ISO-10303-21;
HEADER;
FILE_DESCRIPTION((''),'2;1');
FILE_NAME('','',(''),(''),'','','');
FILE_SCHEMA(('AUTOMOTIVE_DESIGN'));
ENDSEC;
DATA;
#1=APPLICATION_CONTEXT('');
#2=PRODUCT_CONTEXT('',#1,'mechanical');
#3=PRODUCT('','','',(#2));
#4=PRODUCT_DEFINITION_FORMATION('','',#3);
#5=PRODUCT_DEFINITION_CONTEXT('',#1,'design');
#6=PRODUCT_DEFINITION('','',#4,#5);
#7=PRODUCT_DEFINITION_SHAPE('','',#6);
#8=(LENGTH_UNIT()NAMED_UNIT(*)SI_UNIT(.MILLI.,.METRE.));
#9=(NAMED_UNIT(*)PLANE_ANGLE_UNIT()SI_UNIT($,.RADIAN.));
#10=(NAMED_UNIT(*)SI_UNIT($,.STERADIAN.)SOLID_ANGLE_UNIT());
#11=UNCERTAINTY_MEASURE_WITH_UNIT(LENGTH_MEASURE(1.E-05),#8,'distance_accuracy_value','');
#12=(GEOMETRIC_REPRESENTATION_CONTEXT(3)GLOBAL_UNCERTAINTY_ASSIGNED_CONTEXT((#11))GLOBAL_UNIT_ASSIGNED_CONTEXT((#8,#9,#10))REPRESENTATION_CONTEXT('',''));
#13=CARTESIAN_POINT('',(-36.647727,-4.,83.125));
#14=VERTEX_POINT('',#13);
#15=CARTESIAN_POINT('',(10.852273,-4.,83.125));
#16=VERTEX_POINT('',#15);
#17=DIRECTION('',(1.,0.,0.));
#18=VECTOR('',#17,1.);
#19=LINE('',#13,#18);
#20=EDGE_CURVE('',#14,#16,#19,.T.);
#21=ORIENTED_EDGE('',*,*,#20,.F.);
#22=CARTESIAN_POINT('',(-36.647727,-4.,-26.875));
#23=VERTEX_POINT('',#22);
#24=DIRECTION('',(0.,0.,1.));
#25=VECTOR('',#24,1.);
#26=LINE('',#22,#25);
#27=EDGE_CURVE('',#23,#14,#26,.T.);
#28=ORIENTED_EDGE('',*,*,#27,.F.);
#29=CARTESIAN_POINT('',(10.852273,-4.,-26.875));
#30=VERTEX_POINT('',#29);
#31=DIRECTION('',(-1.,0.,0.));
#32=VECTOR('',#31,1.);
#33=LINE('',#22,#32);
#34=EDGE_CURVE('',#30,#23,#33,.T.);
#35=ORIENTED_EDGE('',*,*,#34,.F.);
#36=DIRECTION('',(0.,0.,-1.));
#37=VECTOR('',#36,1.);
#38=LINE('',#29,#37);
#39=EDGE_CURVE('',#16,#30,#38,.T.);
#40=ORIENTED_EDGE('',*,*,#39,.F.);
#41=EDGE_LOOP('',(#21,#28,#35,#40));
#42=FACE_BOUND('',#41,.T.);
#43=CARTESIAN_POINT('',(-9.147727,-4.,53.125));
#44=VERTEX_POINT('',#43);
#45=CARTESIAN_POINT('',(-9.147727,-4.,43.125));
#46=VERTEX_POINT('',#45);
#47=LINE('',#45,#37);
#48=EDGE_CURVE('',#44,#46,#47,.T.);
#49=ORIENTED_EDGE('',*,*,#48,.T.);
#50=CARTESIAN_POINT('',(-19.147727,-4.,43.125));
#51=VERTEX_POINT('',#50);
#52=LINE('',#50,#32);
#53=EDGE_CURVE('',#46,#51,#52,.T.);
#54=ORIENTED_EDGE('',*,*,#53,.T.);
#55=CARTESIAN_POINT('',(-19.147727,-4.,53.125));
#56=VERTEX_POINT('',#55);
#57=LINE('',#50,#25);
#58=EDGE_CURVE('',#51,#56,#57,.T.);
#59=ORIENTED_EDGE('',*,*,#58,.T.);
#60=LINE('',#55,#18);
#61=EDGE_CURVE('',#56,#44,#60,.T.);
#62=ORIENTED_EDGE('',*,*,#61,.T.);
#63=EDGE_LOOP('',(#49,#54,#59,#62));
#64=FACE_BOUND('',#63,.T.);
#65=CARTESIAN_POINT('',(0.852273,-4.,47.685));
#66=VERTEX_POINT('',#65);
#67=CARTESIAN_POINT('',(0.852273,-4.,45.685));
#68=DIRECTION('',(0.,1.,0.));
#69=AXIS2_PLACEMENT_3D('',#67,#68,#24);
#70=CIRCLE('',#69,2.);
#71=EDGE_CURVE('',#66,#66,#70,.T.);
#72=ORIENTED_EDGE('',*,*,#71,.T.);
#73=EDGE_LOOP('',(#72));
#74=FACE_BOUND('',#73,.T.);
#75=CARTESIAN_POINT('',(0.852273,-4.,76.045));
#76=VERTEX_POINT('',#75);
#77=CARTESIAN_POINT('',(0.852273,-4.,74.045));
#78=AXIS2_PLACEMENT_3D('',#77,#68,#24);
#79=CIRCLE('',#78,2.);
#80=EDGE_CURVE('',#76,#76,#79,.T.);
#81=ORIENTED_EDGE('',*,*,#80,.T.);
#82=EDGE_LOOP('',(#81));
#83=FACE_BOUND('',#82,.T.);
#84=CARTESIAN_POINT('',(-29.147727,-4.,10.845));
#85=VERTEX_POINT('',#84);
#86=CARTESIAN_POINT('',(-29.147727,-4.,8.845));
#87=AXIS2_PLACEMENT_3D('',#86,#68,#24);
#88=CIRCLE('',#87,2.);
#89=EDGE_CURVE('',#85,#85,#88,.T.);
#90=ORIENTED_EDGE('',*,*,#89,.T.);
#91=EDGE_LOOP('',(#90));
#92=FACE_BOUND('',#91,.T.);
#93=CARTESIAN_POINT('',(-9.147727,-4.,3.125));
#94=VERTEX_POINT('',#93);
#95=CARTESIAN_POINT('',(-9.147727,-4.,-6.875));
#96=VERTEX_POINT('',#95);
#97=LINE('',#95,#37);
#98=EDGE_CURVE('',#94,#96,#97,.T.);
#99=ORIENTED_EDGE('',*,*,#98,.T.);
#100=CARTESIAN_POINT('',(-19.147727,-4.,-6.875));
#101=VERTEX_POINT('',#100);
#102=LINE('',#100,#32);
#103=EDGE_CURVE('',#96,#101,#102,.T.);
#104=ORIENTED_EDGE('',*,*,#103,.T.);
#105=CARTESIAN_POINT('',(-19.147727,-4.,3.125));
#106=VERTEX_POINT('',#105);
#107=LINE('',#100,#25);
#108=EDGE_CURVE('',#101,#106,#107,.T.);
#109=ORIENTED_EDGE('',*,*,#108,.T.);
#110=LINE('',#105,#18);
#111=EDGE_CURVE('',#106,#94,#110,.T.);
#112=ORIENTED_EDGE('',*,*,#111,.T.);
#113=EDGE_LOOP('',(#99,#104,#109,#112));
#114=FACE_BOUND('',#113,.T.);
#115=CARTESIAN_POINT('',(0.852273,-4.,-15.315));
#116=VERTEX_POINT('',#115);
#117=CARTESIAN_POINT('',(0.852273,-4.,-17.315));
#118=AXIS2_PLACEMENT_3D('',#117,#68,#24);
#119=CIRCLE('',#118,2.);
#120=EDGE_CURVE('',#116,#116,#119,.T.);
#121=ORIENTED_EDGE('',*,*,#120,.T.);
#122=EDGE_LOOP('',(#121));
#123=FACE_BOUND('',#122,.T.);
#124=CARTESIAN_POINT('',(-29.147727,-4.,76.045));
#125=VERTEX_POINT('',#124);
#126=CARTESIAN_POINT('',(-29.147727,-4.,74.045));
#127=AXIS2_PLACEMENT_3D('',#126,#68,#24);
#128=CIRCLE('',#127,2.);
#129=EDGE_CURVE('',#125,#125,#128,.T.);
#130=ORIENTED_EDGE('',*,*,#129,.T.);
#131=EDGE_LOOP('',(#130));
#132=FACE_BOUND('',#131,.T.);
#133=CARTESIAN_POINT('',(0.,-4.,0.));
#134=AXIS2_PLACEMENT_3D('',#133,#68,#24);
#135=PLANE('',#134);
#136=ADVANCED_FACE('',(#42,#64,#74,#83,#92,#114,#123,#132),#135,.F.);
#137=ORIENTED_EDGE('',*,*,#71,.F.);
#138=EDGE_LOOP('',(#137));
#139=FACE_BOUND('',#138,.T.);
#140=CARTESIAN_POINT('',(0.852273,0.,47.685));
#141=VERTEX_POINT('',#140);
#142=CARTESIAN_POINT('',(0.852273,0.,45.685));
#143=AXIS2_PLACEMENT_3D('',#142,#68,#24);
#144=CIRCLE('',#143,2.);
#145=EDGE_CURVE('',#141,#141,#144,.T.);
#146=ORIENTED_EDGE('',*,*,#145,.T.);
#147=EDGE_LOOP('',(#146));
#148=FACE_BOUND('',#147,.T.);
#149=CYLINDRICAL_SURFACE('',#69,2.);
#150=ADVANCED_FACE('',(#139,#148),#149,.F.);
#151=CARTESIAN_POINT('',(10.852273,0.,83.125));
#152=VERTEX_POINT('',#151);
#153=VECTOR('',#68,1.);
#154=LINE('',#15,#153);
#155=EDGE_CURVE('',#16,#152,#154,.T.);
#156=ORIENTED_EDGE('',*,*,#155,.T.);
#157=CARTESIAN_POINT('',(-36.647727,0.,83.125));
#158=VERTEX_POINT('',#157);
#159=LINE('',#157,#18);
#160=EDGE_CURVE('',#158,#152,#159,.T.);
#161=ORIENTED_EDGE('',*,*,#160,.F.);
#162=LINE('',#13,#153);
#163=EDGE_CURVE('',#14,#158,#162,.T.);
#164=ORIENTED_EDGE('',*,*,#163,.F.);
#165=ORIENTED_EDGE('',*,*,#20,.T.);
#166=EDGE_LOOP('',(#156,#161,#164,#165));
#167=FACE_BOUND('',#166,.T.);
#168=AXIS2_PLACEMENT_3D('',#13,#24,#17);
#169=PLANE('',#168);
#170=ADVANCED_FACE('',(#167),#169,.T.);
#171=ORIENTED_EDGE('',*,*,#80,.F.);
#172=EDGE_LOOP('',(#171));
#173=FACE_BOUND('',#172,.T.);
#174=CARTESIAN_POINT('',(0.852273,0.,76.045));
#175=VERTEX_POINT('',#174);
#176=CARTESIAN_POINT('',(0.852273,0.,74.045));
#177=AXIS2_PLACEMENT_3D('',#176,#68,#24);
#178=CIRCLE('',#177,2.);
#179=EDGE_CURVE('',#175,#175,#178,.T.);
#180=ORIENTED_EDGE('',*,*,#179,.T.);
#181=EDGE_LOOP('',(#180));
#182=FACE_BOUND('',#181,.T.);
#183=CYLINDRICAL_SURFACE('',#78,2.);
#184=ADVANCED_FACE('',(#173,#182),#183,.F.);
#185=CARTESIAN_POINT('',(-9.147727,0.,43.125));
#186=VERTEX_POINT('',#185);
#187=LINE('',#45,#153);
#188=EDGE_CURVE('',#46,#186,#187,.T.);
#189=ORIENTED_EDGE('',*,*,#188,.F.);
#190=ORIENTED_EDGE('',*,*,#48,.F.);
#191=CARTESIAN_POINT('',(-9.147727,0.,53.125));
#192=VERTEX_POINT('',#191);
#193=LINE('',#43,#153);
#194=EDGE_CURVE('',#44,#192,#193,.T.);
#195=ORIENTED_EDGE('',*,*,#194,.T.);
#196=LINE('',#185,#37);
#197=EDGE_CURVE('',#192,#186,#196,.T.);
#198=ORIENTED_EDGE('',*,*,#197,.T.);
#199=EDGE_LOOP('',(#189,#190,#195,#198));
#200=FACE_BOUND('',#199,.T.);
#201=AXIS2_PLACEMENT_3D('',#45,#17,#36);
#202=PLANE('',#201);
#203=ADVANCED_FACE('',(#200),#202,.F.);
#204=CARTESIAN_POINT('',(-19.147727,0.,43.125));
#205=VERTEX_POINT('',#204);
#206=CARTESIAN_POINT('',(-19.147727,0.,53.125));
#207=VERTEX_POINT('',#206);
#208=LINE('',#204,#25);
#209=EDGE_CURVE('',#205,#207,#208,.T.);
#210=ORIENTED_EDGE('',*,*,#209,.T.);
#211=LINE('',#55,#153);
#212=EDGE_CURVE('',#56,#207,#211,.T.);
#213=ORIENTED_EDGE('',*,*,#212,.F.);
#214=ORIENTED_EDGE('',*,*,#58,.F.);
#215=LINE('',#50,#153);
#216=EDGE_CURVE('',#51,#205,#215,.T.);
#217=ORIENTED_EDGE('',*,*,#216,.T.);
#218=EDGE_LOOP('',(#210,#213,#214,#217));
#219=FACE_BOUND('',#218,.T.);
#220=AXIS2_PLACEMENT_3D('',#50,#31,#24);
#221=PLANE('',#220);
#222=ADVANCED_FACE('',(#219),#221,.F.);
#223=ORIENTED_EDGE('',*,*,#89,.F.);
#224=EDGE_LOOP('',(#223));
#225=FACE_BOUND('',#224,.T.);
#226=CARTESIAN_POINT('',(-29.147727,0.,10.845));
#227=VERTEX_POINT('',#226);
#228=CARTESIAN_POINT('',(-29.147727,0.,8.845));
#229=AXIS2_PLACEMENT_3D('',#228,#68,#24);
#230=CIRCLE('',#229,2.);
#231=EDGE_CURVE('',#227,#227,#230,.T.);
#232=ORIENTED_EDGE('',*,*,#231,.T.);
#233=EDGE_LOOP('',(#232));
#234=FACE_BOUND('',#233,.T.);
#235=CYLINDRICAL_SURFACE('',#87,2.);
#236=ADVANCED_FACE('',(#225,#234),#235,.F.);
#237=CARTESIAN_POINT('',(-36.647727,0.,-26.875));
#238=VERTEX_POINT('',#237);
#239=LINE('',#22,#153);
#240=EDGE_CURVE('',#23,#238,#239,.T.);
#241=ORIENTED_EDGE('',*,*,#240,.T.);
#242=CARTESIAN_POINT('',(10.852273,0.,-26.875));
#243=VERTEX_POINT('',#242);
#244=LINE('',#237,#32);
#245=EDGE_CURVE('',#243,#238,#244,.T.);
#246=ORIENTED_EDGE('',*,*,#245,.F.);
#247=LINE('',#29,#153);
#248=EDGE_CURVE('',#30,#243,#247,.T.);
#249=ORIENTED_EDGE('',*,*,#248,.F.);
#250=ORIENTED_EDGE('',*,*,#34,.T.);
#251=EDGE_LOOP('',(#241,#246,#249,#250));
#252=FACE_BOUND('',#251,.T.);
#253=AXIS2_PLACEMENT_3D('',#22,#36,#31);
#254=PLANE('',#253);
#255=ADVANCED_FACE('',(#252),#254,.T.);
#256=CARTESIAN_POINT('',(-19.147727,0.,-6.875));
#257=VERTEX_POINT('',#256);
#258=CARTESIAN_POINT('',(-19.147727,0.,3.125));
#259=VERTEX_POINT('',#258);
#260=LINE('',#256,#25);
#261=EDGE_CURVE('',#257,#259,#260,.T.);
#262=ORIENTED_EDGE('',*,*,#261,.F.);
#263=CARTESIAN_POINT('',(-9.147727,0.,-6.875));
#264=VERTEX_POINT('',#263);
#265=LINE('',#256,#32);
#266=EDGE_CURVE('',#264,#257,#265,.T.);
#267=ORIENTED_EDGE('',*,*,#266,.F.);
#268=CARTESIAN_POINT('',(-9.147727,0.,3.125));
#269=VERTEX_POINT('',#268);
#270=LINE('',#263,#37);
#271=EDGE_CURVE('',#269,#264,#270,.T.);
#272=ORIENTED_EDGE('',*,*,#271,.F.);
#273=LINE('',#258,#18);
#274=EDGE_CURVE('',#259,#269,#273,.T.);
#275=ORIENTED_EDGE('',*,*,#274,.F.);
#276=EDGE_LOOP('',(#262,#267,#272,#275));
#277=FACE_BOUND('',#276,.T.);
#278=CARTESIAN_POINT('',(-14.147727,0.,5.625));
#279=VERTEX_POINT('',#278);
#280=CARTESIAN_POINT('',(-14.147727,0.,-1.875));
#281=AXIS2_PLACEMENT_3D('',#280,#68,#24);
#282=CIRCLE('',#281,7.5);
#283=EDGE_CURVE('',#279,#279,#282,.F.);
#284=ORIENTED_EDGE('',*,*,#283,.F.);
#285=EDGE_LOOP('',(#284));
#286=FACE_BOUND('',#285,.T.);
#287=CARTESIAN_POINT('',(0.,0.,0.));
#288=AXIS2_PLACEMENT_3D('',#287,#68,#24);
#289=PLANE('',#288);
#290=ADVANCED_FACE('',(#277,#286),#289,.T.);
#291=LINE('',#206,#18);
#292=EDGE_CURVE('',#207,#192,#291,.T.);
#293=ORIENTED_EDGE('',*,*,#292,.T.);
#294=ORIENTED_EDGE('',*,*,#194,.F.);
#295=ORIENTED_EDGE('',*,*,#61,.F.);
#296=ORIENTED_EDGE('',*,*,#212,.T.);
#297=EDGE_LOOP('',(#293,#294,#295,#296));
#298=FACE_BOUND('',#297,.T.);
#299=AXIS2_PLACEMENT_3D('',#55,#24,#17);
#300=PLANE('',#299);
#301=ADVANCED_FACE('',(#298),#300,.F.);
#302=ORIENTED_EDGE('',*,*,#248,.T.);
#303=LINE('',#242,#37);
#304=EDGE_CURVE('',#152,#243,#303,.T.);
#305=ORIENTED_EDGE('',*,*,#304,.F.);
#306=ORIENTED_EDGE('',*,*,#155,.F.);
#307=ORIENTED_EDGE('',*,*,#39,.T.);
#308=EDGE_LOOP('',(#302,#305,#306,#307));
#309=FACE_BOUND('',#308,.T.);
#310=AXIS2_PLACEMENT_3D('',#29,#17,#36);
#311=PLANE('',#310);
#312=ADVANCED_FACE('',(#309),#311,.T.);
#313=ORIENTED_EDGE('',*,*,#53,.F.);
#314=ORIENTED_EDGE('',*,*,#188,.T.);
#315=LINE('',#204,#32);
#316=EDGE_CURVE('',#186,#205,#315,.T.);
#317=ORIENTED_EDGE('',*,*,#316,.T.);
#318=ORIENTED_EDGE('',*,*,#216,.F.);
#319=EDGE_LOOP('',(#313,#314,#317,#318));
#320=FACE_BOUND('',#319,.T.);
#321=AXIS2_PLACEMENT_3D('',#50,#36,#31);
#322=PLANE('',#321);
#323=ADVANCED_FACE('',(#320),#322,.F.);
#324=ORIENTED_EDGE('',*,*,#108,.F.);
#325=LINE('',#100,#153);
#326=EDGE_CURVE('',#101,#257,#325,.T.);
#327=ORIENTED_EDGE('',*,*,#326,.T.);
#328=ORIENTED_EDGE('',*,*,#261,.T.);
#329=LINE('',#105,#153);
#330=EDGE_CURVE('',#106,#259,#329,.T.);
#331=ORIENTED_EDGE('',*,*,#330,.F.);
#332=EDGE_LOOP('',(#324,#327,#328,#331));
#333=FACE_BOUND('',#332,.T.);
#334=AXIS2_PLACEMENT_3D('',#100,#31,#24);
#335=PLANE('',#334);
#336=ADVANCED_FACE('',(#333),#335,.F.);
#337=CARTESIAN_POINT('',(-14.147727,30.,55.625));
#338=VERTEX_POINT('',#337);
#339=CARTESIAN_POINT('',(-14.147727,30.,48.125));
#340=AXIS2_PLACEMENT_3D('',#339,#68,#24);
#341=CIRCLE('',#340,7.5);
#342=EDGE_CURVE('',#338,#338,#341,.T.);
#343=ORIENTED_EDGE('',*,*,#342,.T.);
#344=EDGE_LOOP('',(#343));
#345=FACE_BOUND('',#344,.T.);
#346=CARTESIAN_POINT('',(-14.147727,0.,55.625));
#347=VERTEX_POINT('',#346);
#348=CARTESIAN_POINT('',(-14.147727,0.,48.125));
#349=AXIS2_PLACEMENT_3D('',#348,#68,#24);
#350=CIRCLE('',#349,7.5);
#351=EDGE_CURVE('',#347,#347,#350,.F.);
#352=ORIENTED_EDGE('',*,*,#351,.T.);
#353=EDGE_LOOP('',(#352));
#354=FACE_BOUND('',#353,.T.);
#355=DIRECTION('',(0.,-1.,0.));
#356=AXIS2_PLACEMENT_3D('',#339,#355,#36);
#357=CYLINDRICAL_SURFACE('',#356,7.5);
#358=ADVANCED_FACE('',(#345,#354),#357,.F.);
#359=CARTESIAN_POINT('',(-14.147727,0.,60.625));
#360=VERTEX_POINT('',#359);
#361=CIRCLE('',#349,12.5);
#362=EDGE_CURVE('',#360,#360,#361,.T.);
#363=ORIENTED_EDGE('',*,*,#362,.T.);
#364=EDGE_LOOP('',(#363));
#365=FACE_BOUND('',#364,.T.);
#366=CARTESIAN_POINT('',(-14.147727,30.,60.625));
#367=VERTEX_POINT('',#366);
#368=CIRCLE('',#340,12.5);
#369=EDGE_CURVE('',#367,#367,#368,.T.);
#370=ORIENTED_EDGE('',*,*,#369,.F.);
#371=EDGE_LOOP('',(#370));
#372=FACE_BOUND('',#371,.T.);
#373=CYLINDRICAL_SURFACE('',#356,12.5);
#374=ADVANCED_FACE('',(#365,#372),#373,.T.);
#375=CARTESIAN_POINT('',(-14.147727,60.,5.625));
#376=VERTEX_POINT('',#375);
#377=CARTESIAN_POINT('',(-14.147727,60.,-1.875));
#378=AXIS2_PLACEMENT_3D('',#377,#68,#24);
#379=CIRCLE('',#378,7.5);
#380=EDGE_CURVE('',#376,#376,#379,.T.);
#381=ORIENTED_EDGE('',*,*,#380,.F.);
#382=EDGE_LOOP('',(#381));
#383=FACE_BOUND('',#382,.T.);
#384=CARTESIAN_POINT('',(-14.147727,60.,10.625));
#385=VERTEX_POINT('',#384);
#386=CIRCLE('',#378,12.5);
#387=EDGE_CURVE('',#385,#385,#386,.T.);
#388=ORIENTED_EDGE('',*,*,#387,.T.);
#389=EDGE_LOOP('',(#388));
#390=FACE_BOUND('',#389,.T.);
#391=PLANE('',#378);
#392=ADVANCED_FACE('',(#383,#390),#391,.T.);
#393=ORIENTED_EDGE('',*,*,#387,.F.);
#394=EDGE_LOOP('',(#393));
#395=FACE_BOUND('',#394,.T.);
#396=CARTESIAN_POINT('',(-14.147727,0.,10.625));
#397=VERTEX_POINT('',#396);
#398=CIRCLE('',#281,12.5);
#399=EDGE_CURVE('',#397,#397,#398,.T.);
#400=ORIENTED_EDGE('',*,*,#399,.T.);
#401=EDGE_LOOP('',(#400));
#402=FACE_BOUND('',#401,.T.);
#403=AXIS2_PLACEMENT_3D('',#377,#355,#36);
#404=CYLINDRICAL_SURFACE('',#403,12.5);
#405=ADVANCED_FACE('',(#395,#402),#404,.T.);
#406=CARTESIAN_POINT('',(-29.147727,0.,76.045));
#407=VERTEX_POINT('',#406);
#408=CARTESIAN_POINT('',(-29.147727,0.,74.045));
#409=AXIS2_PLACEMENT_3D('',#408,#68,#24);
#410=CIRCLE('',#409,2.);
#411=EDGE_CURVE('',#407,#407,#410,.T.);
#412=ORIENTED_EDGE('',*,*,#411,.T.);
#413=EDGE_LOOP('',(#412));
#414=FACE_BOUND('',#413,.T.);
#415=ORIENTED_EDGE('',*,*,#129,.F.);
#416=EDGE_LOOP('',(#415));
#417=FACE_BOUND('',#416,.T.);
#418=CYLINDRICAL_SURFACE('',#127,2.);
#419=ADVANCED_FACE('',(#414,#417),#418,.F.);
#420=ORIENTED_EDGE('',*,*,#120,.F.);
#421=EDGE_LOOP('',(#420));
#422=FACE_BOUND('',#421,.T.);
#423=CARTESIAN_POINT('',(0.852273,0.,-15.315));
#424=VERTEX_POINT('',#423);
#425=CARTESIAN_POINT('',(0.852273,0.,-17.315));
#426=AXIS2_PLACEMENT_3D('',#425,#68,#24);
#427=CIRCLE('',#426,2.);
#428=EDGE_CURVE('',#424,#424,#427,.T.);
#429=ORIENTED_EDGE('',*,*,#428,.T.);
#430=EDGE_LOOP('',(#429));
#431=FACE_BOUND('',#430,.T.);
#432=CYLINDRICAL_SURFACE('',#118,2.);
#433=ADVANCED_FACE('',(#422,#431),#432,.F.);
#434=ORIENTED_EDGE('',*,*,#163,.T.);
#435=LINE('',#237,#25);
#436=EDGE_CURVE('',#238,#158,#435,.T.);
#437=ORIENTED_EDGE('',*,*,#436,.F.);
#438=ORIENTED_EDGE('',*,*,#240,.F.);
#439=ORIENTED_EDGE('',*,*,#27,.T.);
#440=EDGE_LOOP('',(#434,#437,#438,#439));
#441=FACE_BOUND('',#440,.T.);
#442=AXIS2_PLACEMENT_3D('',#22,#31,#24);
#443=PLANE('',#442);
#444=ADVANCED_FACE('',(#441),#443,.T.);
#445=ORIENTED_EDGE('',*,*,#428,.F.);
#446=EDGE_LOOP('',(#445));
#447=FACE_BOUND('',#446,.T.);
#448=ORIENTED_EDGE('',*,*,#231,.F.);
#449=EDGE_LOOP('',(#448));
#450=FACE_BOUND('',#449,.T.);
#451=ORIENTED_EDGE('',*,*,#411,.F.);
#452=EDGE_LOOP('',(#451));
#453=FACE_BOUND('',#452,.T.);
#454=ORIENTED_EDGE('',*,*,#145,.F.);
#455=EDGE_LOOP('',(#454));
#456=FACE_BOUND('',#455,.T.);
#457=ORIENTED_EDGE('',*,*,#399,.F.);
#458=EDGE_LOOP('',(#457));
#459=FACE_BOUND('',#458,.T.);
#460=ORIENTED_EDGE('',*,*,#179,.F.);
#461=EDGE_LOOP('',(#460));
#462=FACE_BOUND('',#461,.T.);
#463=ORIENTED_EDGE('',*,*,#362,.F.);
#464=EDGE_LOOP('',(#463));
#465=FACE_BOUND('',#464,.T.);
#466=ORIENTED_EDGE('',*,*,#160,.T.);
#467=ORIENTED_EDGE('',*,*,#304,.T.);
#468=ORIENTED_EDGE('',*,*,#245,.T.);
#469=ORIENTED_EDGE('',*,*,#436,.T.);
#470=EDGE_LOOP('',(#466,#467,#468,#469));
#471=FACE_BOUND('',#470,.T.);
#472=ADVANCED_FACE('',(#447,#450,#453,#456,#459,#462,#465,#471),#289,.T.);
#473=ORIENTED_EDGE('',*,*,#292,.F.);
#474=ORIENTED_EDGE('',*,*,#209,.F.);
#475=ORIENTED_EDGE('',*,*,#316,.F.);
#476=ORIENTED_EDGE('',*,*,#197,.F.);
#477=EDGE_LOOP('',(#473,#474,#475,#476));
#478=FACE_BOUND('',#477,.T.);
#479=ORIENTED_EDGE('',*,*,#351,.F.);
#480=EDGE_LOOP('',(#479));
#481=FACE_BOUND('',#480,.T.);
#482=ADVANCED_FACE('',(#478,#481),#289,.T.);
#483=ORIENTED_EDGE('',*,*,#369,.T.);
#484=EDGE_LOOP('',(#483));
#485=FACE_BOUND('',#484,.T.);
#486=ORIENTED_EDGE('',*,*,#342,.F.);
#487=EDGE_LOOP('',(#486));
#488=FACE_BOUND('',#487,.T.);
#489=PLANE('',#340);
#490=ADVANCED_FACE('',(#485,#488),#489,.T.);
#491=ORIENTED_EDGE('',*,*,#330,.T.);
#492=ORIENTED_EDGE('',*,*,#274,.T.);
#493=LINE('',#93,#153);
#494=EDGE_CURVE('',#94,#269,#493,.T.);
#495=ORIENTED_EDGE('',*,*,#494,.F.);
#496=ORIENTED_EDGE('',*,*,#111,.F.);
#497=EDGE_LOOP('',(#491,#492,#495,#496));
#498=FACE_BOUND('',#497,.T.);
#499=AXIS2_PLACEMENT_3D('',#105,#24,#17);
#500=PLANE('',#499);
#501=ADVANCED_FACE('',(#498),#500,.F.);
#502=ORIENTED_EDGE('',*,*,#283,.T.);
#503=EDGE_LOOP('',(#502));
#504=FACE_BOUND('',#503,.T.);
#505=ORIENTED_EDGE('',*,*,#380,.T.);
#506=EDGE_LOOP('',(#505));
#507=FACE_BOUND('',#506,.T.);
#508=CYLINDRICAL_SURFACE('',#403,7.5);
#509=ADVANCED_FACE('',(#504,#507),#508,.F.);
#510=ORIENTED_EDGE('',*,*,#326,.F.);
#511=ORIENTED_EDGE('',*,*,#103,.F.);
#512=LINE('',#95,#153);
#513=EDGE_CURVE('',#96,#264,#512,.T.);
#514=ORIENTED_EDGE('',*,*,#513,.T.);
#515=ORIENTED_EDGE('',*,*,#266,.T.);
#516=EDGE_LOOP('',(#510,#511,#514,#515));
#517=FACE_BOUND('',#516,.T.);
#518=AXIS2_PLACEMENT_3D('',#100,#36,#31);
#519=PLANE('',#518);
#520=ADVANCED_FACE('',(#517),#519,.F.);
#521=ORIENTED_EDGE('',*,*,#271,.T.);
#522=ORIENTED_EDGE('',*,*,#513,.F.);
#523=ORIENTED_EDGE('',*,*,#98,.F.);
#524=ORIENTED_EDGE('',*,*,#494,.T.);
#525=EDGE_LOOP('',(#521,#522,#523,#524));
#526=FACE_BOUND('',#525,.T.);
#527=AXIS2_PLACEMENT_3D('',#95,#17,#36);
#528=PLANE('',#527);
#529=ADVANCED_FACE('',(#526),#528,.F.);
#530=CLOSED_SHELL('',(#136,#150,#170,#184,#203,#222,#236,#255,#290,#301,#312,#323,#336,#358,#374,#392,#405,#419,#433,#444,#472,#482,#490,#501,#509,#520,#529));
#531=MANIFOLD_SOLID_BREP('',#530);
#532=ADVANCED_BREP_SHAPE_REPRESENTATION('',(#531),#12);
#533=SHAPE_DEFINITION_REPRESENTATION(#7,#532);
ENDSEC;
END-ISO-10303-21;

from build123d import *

# Parameters (mm, degrees)
SKETCH1_W           = 47.5
SKETCH1_H           = 110
SKETCH1_R           = 2
SKETCH1_W_2         = 10
SKETCH1_H_2         = 10
BOSS_EXTRUDE1_DEPTH = 4
SKETCH2_R           = 12.5
SKETCH2_R_2         = 7.5
BOSS_EXTRUDE2_DEPTH = 30
SKETCH4_R           = 12.5
SKETCH4_R_2         = 7.5
BOSS_EXTRUDE3_DEPTH = 60


with BuildPart() as part:
    # Sketch1 → Boss-Extrude1 (new body)
    with BuildSketch(Plane(origin=(0, 0, 0), x_dir=(1, 0, 0), z_dir=(0, 1, 0))):
        with Locations((-12.897727273, -28.125)):
            Rectangle(SKETCH1_W, SKETCH1_H)
        with Locations(Location((0.852272727, 17.315, 0), (0, 0, 270))):
            Circle(SKETCH1_R, mode=Mode.SUBTRACT)
        with Locations(Location((-29.147727273, -8.845, 0), (0, 0, 270))):
            Circle(SKETCH1_R, mode=Mode.SUBTRACT)
        with Locations(Location((0.852272727, -45.685, 0), (0, 0, 270))):
            Circle(SKETCH1_R, mode=Mode.SUBTRACT)
        with Locations(Location((0.852272727, -74.045, 0), (0, 0, 270))):
            Circle(SKETCH1_R, mode=Mode.SUBTRACT)
        with Locations(Location((-29.147727273, -74.045, 0), (0, 0, 270))):
            Circle(SKETCH1_R, mode=Mode.SUBTRACT)
        with Locations((-14.147727273, 1.875)):
            Rectangle(SKETCH1_W_2, SKETCH1_H_2, mode=Mode.SUBTRACT)
        with Locations((-14.147727273, -48.125)):
            Rectangle(SKETCH1_W_2, SKETCH1_H_2, mode=Mode.SUBTRACT)
    extrude(amount=-BOSS_EXTRUDE1_DEPTH)

    # Sketch2 → Boss-Extrude2 (add)
    with BuildSketch(Plane(origin=(0, 0, 0), x_dir=(1, 0, 0), z_dir=(0, 1, 0))):
        with Locations(Location((-14.147727273, -48.125, 0), (0, 0, 270))):
            Circle(SKETCH2_R)
        with Locations(Location((-14.147727273, -48.125, 0), (0, 0, 270))):
            Circle(SKETCH2_R_2, mode=Mode.SUBTRACT)
    extrude(amount=BOSS_EXTRUDE2_DEPTH)

    # Sketch4 → Boss-Extrude3 (add)
    with BuildSketch(Plane(origin=(0, 0, 0), x_dir=(1, 0, 0), z_dir=(0, 1, 0))):
        with Locations(Location((-14.147727273, 1.875, 0), (0, 0, 270))):
            Circle(SKETCH4_R)
        with Locations(Location((-14.147727273, 1.875, 0), (0, 0, 270))):
            Circle(SKETCH4_R_2, mode=Mode.SUBTRACT)
    extrude(amount=BOSS_EXTRUDE3_DEPTH)


solid = part.part
